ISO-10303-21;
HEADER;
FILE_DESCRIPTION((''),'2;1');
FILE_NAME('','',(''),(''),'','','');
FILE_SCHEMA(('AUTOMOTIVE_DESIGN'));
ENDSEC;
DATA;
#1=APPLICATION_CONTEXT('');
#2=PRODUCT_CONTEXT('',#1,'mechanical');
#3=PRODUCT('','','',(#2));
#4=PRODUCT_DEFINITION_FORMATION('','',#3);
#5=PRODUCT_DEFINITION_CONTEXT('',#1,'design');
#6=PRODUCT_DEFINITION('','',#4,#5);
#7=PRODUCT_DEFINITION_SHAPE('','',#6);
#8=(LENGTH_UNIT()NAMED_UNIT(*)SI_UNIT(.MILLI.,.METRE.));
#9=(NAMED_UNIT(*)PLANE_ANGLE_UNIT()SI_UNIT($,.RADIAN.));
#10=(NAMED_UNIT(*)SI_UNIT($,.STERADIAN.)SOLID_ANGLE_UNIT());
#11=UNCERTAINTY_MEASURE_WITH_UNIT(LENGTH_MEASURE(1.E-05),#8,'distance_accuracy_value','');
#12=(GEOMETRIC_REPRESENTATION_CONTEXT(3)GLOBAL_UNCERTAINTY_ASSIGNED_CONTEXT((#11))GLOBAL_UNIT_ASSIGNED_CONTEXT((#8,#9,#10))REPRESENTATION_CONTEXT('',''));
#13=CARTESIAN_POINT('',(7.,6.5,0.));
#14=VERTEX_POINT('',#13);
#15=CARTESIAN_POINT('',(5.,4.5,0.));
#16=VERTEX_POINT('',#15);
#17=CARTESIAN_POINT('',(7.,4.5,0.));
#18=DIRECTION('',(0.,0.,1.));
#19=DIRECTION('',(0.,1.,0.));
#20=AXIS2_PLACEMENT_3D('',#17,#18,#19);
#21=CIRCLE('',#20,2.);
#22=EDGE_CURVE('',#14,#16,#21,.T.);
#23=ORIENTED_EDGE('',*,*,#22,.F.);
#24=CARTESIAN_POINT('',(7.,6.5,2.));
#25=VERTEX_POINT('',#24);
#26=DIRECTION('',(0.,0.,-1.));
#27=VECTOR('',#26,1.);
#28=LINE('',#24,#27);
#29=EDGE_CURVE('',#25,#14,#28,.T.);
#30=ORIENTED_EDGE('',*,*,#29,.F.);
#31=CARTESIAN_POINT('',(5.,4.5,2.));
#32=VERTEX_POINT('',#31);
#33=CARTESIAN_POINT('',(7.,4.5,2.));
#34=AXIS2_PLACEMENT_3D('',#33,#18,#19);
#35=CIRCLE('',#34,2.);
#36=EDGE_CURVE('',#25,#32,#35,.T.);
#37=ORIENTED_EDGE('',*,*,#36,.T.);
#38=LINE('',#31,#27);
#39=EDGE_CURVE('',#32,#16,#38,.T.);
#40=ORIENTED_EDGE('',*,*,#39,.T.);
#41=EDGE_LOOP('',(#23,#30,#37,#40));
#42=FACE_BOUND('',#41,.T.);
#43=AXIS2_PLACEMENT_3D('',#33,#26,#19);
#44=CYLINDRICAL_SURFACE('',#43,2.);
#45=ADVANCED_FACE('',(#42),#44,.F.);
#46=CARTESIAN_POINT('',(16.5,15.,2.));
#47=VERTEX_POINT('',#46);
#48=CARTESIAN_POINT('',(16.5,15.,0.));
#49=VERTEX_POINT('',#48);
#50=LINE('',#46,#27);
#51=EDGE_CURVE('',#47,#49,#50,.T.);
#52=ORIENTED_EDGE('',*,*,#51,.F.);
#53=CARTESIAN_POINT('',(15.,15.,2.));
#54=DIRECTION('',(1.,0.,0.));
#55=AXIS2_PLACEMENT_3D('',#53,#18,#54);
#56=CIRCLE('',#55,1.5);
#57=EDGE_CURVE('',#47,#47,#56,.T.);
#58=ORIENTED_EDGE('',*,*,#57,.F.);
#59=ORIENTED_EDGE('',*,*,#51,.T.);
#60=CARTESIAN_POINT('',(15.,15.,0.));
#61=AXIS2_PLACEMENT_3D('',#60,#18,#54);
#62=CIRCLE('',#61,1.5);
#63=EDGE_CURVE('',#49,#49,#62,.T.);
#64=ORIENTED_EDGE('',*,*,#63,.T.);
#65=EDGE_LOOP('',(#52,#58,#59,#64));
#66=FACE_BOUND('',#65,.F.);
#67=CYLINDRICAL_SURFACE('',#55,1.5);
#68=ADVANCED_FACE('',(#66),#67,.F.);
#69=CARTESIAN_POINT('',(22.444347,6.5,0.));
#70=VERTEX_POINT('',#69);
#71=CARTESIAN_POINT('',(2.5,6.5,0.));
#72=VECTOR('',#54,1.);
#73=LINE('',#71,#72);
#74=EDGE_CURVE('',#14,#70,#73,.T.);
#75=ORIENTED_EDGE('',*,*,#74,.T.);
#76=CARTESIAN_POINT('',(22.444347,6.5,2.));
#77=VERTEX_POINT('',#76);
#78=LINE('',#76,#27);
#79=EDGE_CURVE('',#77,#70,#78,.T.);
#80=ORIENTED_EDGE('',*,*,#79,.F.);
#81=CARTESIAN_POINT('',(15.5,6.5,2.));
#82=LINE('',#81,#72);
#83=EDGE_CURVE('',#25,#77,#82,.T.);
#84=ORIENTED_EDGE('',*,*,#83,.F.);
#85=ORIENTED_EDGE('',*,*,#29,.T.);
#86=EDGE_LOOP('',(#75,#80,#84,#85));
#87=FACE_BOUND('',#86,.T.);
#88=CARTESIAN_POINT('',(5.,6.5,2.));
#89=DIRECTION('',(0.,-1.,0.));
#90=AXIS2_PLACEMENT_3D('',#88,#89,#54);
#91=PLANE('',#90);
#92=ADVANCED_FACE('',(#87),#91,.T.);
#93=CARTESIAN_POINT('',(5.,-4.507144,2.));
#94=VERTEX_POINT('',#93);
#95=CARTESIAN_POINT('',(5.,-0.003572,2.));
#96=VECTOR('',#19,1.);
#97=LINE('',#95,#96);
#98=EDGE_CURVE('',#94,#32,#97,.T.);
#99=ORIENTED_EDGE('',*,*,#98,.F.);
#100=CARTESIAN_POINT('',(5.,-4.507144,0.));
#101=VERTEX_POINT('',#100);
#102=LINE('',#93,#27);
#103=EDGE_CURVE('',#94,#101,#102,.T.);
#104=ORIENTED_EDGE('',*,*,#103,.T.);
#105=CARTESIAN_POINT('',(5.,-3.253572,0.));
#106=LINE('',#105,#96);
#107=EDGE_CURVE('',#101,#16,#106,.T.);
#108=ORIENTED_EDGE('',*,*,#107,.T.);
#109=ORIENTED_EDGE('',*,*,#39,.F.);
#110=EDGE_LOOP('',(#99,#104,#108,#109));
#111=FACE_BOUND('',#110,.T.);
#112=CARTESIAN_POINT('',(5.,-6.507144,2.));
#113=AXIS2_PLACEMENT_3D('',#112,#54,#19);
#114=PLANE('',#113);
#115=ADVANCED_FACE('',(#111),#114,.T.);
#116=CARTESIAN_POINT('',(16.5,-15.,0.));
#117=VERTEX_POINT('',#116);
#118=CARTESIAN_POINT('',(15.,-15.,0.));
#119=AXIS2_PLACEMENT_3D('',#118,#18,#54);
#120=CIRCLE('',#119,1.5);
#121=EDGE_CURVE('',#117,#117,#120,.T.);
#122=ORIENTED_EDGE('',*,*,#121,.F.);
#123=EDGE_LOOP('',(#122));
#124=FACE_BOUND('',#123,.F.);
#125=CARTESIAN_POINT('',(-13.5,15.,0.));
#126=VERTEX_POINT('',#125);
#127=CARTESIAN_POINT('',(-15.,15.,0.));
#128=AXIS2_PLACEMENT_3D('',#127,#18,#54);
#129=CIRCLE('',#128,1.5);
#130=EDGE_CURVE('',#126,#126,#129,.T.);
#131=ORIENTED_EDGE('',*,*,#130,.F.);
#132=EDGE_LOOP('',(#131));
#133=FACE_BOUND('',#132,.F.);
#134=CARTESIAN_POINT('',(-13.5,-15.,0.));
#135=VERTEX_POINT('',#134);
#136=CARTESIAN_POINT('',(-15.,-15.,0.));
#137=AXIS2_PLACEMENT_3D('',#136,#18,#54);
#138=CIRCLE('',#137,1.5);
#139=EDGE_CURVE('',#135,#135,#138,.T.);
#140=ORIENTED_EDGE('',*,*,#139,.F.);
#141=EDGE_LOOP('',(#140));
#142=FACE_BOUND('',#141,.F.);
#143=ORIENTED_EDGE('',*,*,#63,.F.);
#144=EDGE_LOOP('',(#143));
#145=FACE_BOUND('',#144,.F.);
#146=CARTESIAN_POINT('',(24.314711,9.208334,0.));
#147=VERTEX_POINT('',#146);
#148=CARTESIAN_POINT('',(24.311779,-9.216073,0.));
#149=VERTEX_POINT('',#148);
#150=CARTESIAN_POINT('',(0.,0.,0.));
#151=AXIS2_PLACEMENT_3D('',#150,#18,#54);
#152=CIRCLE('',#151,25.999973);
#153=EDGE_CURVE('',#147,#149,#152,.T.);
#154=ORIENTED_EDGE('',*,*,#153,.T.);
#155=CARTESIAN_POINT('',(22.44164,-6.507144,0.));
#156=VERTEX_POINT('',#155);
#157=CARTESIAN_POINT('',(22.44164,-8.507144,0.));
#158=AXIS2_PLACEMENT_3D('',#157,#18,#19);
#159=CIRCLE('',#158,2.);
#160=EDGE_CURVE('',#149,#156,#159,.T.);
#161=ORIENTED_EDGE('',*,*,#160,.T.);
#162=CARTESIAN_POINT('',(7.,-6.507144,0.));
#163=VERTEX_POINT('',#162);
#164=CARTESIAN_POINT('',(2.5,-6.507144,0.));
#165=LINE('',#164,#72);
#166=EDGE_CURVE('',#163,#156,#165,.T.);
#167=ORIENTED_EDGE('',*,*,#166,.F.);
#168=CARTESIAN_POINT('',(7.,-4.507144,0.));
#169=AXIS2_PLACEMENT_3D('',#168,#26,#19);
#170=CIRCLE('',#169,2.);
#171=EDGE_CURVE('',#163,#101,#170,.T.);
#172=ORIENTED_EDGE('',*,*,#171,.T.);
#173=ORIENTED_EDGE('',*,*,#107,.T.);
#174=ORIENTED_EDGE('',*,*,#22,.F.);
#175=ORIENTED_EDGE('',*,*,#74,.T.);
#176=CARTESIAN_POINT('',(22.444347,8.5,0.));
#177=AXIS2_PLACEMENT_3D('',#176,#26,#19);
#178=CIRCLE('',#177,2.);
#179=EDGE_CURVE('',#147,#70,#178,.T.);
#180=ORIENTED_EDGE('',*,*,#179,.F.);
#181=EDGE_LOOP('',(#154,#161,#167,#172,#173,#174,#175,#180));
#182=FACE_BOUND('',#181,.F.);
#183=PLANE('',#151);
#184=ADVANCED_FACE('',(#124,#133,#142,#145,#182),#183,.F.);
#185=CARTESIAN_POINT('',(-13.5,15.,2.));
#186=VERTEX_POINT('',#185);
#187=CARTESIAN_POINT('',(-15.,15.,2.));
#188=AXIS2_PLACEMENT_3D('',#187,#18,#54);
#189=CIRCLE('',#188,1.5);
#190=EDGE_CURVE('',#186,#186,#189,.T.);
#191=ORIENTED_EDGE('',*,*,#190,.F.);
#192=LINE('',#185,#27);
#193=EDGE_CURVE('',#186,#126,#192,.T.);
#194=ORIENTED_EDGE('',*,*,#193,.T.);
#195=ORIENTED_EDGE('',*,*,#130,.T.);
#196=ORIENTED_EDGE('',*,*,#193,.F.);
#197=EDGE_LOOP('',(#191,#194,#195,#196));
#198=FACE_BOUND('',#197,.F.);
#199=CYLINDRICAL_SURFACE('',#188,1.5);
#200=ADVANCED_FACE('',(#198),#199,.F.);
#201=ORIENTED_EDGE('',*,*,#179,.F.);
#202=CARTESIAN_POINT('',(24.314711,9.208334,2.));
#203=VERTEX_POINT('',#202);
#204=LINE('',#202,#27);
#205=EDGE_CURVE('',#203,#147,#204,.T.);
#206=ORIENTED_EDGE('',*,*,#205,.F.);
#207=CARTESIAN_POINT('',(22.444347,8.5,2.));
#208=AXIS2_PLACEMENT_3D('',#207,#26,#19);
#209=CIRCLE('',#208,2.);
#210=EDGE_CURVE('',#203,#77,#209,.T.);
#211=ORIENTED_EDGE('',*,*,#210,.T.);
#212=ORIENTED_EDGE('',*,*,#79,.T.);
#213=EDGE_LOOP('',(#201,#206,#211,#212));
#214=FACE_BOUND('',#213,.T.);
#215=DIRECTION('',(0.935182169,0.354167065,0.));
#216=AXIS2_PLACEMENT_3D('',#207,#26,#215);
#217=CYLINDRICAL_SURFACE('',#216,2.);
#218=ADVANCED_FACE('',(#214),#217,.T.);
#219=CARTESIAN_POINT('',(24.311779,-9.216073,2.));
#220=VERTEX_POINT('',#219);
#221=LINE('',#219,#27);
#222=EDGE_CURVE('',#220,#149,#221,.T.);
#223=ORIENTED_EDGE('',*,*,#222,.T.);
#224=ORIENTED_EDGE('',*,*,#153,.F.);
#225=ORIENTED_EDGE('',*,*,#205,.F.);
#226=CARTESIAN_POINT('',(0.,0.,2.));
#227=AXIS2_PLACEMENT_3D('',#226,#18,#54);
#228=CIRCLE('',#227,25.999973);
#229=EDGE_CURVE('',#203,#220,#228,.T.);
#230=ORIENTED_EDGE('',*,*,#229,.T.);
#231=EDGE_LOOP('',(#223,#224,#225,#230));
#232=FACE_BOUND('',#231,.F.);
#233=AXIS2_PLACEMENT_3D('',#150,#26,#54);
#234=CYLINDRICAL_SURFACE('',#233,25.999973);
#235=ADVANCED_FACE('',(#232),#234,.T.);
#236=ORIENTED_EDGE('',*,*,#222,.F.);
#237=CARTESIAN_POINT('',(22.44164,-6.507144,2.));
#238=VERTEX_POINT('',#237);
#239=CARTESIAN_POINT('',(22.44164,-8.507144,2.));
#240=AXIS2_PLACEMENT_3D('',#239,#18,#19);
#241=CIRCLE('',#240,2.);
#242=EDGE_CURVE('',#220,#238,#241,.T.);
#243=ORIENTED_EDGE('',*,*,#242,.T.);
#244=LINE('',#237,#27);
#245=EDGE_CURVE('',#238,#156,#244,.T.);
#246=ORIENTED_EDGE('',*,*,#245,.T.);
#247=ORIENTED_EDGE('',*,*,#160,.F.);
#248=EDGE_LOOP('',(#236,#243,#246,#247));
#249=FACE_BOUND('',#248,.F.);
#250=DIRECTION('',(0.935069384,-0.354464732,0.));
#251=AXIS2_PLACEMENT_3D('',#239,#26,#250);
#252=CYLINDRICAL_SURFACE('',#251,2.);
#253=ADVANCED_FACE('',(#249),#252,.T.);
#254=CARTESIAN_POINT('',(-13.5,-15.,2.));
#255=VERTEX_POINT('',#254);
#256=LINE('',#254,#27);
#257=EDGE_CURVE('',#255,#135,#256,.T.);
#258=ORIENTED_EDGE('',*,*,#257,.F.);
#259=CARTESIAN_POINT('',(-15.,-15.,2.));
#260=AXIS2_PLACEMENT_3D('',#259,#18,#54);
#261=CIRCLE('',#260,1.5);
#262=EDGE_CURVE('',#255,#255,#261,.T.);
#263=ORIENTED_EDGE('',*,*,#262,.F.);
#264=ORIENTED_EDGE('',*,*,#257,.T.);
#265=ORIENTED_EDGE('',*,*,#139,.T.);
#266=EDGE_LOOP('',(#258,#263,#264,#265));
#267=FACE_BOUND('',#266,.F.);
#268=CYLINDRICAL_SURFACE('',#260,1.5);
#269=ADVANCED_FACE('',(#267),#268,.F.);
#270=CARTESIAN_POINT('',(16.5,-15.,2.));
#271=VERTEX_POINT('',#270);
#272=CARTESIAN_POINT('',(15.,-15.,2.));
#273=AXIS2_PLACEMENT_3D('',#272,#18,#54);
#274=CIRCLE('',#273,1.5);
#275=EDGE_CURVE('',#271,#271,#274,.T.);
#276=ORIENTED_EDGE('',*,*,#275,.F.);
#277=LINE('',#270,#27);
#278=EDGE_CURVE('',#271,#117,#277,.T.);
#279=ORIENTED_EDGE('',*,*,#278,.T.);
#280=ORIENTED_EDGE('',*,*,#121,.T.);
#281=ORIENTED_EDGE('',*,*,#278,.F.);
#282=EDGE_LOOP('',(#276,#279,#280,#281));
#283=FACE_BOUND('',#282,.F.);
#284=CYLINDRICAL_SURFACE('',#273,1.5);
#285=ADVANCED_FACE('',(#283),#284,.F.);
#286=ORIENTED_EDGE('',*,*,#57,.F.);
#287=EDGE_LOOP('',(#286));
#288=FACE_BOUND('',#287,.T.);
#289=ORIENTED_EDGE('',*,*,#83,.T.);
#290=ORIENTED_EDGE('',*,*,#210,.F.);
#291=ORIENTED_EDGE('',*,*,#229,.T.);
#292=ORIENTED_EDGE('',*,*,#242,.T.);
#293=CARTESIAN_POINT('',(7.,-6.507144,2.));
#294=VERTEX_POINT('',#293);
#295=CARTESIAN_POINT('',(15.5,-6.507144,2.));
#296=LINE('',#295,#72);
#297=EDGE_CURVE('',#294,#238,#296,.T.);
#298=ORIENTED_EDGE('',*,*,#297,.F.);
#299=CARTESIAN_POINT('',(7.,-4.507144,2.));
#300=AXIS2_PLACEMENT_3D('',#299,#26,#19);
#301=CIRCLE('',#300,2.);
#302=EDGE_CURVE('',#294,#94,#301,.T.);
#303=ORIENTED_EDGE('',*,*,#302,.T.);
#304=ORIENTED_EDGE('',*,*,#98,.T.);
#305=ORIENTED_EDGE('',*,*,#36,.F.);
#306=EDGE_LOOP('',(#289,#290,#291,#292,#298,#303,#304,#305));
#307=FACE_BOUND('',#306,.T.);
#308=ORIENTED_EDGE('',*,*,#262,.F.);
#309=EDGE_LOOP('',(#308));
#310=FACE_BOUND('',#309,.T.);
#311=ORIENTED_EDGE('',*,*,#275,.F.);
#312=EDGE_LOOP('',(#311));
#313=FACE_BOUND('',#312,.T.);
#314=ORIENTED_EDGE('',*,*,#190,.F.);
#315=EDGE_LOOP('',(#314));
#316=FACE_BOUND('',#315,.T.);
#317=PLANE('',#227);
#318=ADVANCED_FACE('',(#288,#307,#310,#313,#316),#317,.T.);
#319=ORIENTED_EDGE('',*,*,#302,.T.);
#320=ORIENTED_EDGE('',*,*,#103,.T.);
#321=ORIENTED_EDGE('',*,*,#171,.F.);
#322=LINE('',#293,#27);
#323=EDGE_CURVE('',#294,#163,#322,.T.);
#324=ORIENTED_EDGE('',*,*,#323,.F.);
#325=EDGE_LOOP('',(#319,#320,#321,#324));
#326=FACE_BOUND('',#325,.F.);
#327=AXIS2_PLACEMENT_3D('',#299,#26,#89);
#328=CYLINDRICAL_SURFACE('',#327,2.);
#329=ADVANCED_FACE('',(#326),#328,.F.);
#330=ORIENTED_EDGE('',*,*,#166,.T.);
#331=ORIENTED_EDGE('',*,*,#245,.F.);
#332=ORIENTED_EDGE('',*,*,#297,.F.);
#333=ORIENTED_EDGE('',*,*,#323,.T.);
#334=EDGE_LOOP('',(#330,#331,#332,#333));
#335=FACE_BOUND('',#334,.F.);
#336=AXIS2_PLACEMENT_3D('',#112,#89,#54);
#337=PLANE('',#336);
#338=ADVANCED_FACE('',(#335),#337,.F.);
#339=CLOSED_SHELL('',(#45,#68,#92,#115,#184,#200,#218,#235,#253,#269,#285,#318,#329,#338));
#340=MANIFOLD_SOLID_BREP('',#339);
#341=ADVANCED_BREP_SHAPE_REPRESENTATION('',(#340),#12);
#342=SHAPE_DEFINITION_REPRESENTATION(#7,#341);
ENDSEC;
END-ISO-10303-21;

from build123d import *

# Parameters (mm, degrees)
SKETCH_R        = 25.999973
PAD_DEPTH       = 2
SKETCH001_R     = 1.5
POCKET_DEPTH    = 2.001
SKETCH002_W     = 21
SKETCH002_H     = 13.007144
POCKET001_DEPTH = 5
FILLET_R        = 2


with BuildPart() as part:
    # Sketch → Pad (new body)
    with BuildSketch(Plane.XY):
        Circle(SKETCH_R)
    extrude(amount=PAD_DEPTH)

    # Sketch001 (on Face3 of Pad) → Pocket (cut, through all)
    with BuildSketch(Plane.XY.offset(2)):
        with Locations((-15, 15)):
            Circle(SKETCH001_R)
        with Locations((15, 15)):
            Circle(SKETCH001_R)
        with Locations((15, -15)):
            Circle(SKETCH001_R)
        with Locations((-15, -15)):
            Circle(SKETCH001_R)
    extrude(amount=-POCKET_DEPTH, mode=Mode.SUBTRACT)

    # Sketch002 (on Face3 of Pocket) → Pocket001 (cut)
    with BuildSketch(Plane.XY.offset(2)):
        with Locations((15.5, -0.003572)):
            Rectangle(SKETCH002_W, SKETCH002_H)
    extrude(amount=-POCKET001_DEPTH, mode=Mode.SUBTRACT)

    # Fillet
    fillet_edges = [part.edges().sort_by_distance(p)[0] for p in [
        (5, 6.5, 1),
        (5, -6.507144, 1),
        (25.172518, -6.507144, 1),
        (25.174364, 6.5, 1),
    ]]
    fillet(fillet_edges, radius=FILLET_R)


solid = part.part
